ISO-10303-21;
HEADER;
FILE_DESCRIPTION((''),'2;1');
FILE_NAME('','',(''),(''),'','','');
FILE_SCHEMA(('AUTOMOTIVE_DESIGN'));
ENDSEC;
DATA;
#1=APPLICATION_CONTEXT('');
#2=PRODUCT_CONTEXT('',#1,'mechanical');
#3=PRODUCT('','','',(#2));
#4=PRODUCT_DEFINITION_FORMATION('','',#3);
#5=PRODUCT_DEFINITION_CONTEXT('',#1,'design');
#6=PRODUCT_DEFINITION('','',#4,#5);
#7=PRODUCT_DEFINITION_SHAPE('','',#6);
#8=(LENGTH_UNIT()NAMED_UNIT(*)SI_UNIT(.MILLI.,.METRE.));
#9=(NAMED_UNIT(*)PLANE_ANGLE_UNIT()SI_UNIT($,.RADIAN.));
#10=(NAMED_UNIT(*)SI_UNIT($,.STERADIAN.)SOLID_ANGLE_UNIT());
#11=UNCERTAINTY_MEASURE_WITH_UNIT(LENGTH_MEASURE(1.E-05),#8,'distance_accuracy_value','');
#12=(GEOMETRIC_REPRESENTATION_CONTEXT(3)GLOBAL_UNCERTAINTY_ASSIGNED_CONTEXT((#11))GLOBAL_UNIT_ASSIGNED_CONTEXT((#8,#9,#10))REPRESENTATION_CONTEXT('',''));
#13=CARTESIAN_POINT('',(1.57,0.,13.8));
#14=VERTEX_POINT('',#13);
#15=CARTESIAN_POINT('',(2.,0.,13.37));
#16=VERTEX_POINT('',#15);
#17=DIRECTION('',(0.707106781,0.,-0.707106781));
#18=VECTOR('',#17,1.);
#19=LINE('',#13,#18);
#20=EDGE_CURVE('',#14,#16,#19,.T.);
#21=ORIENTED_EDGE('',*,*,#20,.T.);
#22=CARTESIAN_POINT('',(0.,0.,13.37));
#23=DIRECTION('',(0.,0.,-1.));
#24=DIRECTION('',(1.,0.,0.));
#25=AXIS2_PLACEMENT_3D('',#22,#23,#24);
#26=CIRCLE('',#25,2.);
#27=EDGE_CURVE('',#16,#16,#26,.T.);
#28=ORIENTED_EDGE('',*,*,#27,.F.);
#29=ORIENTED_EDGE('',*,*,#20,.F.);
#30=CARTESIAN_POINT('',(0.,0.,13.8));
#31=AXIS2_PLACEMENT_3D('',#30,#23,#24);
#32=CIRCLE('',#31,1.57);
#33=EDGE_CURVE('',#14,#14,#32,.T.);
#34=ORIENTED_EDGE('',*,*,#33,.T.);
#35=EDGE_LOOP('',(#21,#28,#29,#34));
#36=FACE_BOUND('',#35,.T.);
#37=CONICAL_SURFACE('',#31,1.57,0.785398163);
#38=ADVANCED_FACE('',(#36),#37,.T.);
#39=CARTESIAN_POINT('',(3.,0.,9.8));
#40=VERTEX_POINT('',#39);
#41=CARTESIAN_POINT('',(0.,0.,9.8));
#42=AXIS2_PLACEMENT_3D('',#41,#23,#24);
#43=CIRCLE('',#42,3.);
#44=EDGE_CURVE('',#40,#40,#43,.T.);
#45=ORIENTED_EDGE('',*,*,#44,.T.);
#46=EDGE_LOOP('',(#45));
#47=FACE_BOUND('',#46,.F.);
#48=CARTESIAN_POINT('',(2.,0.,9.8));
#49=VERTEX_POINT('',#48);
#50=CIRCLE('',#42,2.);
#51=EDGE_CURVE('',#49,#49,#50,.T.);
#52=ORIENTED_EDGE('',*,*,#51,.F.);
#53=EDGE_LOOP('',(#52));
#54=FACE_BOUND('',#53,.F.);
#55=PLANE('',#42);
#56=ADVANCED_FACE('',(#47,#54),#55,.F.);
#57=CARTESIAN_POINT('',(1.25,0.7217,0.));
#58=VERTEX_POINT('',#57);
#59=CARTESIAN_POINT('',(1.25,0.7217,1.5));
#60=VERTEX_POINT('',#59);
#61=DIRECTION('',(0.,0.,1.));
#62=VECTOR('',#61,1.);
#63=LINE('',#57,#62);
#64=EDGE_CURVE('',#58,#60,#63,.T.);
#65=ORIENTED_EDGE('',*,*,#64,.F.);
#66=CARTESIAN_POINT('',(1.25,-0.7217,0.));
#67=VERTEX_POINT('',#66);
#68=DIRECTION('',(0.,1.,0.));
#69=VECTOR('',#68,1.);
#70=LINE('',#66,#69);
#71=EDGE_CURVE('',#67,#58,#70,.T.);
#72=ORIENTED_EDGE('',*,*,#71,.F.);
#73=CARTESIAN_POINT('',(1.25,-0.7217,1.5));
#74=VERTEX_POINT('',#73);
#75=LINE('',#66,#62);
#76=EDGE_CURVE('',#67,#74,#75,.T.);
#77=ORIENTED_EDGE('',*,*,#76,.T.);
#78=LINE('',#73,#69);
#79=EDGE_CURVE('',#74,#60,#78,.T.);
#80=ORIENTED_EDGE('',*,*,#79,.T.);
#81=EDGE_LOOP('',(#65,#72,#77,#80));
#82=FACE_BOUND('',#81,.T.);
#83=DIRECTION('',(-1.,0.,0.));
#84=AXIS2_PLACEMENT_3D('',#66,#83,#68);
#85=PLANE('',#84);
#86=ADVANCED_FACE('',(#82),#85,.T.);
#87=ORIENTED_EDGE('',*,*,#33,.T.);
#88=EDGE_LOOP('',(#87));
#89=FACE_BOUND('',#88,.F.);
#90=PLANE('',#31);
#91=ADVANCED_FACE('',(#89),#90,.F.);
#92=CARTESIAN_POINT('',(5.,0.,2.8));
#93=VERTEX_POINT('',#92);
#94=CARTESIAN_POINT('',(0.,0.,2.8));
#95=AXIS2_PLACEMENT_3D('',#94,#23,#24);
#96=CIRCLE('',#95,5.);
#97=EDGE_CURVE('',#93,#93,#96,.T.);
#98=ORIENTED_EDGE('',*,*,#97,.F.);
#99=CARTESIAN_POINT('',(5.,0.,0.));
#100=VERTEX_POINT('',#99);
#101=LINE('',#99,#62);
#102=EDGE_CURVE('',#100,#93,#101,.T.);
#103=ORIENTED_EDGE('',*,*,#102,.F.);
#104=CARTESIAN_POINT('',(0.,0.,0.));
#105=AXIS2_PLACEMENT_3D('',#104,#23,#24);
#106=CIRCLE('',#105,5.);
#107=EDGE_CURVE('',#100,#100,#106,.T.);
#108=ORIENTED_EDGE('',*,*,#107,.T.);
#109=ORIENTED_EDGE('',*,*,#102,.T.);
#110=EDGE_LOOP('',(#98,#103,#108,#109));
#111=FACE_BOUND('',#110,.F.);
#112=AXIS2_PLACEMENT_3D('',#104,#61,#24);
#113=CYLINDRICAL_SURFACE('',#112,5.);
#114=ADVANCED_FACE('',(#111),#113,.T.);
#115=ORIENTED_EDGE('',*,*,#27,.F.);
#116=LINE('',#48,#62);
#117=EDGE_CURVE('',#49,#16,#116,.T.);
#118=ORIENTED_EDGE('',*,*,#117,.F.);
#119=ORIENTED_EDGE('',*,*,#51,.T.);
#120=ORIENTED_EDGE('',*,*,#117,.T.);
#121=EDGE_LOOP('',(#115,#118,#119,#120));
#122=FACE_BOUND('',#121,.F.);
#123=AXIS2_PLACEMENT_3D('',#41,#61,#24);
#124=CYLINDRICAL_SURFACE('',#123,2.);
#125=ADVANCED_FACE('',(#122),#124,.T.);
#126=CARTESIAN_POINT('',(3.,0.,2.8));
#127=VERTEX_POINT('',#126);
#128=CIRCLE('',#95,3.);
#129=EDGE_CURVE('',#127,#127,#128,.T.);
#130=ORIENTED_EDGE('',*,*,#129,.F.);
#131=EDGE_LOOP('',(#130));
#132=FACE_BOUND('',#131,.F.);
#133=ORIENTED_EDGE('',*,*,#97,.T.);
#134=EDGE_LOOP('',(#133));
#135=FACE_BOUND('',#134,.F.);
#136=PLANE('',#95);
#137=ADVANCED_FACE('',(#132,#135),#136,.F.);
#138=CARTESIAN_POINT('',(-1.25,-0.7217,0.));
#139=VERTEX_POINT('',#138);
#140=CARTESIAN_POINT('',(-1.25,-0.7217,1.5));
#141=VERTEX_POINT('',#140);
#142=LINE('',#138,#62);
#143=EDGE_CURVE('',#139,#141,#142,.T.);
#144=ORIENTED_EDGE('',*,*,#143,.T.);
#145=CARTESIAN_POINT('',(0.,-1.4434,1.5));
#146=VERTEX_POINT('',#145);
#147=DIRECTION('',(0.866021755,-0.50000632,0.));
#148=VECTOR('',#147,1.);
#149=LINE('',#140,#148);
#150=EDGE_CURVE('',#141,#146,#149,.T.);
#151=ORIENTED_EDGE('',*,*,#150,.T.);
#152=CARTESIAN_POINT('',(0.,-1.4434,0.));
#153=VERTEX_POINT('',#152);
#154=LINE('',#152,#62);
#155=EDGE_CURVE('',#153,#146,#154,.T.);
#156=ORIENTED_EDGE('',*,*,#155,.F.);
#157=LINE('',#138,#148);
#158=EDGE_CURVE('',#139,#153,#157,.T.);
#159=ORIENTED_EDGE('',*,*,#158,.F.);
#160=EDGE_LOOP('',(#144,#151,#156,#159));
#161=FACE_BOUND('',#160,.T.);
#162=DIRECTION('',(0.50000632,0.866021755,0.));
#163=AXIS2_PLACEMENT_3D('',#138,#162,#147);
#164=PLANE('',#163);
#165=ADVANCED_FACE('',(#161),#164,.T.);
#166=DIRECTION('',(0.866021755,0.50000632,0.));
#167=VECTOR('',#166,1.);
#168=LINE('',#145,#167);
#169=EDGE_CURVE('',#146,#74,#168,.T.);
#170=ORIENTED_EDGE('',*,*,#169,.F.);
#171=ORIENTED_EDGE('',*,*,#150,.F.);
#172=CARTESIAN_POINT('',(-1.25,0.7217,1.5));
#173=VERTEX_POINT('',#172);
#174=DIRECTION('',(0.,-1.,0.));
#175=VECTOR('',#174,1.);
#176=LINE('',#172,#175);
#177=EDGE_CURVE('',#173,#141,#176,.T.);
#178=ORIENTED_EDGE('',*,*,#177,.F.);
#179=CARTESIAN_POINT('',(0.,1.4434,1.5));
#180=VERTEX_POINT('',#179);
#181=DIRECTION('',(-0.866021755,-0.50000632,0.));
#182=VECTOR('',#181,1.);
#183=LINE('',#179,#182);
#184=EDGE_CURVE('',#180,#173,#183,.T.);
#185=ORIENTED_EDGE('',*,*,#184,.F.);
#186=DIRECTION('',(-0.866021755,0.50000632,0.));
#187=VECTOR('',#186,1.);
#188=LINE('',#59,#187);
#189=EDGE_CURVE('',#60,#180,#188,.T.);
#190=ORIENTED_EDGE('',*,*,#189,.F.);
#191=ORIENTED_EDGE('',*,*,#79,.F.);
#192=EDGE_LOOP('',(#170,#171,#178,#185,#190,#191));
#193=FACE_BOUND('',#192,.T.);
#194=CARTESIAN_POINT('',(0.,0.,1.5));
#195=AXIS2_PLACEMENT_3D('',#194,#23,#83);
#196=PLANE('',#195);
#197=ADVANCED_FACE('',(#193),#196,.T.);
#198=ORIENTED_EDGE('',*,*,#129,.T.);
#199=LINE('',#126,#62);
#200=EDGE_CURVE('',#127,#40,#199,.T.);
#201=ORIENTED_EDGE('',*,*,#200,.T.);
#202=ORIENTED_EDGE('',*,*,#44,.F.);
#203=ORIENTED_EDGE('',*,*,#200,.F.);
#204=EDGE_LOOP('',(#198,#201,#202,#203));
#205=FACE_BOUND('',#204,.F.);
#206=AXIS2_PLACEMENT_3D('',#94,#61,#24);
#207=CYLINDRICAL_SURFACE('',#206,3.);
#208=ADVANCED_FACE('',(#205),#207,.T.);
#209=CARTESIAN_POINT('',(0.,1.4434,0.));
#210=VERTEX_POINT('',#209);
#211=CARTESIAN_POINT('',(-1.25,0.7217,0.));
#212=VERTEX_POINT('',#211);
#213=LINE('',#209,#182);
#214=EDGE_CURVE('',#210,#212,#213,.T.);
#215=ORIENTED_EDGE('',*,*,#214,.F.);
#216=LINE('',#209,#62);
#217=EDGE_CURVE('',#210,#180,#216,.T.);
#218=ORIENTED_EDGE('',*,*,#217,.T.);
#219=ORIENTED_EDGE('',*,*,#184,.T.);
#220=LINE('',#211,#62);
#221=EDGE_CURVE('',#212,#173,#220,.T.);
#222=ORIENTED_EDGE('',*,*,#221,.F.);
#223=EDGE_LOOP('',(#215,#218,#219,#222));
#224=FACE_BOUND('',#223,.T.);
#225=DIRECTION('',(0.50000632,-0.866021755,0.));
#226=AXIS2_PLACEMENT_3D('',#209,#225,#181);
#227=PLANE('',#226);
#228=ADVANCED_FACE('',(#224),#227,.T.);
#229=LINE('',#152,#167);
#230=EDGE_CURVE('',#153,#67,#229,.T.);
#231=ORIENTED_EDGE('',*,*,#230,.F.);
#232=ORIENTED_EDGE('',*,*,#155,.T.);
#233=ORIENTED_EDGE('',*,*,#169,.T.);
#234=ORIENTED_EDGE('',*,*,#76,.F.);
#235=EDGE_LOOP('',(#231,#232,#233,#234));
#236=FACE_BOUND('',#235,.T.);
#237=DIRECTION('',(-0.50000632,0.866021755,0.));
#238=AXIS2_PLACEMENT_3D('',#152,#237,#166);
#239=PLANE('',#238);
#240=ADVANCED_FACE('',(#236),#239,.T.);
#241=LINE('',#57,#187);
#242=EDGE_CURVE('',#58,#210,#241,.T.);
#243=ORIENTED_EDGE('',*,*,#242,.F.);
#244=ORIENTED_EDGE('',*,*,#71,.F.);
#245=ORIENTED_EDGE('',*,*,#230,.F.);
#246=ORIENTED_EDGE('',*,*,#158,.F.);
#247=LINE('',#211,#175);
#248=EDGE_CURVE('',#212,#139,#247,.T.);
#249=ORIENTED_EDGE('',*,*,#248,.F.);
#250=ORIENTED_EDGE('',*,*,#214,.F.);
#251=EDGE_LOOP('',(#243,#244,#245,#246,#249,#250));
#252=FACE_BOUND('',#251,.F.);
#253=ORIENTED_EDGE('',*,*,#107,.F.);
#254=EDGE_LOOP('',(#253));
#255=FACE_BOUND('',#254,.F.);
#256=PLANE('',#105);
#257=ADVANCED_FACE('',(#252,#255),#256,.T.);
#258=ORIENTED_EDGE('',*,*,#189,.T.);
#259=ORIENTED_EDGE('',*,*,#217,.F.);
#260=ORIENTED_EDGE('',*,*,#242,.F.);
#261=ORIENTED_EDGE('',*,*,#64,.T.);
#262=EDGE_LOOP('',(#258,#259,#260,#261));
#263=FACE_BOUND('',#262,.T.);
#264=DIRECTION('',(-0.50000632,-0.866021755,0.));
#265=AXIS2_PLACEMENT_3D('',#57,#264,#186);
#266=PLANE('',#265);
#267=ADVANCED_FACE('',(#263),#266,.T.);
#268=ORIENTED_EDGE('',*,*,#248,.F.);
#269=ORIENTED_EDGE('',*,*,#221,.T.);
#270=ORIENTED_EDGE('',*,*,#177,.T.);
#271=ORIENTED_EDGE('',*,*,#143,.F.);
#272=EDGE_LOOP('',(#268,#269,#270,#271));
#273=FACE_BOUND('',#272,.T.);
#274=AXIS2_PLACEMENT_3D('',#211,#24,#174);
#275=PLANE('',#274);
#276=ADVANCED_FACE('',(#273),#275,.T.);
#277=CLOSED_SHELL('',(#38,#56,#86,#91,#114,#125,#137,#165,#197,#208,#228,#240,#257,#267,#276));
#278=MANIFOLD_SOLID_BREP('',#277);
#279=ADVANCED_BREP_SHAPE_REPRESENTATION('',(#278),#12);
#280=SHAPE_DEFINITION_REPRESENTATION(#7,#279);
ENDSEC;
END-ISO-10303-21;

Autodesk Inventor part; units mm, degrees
ref_plane "YZ Plane" through (0, 0, 0) normal (1, 0, 0) x (0, 1, 0)
ref_plane "XZ Plane" through (0, 0, 0) normal (0, 1, 0) x (-1, 0, 0)
ref_plane "XY Plane" through (0, 0, 0) normal (0, 0, 1) x (1, 0, 0)
sketch "スケッチ1" plane through (0, 0, 0) normal (0, 1, 0) x (-1, 0, 0)
  line L0 (0, 0) -> (-5, 0)
  line L1 (-5, 0) -> (-5, 2.8)
  line L2 (-5, 2.8) -> (-3, 2.8)
  line L3 (-3, 2.8) -> (-3, 9.8)
  line L4 (-3, 9.8) -> (-2, 9.8)
  line L5 (-2, 9.8) -> (-2, 13.37)
  line L6 (-1.57, 13.8) -> (0, 13.8)
  line L7 (0, 13.8) -> (0, 0)
  line L8 (-1.57, 13.8) -> (-2, 13.37)
  point P0 (-2, 13.8)
  dimension "d0" = 4
  dimension "d1" = 7
  dimension "d2" = 2.8
  dimension "d3" = 0.43
  dimension "d4" = 0.43
  dimension "d5" = 4
  dimension "d6" = 10
  dimension "d7" = 6
revolve "回転1" add sketch "スケッチ1" angle 360 about axis through (0, 0, 13.8) along (0, 0, -1)
thread "ねじ1" size "M4x0.7" class "6g" standard "ANSI Metric M Profile" length 7.57 offset 1.2
sketch "スケッチ2" plane through (0, 0, 0) normal (0, 0, -1) x (-1, 0, 0)
  line L0 (0, -1.4434) -> (-1.25, -0.7217)
  line L1 (-1.25, -0.7217) -> (-1.25, 0.7217)
  line L2 (-1.25, 0.7217) -> (0, 1.4434)
  line L3 (0, 1.4434) -> (1.25, 0.7217)
  line L4 (1.25, 0.7217) -> (1.25, -0.7217)
  line L5 (1.25, -0.7217) -> (0, -1.4434)
  point P0 (0, 0)
  point P1 (0, 0)
  dimension "d11" = 2.5
extrude "押し出し1" cut sketch "スケッチ2" against normal blind 1.5
equation "\"d4\" = d3"
properties part number "DBTS4-7-4-DHC" material "ステンレス鋼 AISI 304"
